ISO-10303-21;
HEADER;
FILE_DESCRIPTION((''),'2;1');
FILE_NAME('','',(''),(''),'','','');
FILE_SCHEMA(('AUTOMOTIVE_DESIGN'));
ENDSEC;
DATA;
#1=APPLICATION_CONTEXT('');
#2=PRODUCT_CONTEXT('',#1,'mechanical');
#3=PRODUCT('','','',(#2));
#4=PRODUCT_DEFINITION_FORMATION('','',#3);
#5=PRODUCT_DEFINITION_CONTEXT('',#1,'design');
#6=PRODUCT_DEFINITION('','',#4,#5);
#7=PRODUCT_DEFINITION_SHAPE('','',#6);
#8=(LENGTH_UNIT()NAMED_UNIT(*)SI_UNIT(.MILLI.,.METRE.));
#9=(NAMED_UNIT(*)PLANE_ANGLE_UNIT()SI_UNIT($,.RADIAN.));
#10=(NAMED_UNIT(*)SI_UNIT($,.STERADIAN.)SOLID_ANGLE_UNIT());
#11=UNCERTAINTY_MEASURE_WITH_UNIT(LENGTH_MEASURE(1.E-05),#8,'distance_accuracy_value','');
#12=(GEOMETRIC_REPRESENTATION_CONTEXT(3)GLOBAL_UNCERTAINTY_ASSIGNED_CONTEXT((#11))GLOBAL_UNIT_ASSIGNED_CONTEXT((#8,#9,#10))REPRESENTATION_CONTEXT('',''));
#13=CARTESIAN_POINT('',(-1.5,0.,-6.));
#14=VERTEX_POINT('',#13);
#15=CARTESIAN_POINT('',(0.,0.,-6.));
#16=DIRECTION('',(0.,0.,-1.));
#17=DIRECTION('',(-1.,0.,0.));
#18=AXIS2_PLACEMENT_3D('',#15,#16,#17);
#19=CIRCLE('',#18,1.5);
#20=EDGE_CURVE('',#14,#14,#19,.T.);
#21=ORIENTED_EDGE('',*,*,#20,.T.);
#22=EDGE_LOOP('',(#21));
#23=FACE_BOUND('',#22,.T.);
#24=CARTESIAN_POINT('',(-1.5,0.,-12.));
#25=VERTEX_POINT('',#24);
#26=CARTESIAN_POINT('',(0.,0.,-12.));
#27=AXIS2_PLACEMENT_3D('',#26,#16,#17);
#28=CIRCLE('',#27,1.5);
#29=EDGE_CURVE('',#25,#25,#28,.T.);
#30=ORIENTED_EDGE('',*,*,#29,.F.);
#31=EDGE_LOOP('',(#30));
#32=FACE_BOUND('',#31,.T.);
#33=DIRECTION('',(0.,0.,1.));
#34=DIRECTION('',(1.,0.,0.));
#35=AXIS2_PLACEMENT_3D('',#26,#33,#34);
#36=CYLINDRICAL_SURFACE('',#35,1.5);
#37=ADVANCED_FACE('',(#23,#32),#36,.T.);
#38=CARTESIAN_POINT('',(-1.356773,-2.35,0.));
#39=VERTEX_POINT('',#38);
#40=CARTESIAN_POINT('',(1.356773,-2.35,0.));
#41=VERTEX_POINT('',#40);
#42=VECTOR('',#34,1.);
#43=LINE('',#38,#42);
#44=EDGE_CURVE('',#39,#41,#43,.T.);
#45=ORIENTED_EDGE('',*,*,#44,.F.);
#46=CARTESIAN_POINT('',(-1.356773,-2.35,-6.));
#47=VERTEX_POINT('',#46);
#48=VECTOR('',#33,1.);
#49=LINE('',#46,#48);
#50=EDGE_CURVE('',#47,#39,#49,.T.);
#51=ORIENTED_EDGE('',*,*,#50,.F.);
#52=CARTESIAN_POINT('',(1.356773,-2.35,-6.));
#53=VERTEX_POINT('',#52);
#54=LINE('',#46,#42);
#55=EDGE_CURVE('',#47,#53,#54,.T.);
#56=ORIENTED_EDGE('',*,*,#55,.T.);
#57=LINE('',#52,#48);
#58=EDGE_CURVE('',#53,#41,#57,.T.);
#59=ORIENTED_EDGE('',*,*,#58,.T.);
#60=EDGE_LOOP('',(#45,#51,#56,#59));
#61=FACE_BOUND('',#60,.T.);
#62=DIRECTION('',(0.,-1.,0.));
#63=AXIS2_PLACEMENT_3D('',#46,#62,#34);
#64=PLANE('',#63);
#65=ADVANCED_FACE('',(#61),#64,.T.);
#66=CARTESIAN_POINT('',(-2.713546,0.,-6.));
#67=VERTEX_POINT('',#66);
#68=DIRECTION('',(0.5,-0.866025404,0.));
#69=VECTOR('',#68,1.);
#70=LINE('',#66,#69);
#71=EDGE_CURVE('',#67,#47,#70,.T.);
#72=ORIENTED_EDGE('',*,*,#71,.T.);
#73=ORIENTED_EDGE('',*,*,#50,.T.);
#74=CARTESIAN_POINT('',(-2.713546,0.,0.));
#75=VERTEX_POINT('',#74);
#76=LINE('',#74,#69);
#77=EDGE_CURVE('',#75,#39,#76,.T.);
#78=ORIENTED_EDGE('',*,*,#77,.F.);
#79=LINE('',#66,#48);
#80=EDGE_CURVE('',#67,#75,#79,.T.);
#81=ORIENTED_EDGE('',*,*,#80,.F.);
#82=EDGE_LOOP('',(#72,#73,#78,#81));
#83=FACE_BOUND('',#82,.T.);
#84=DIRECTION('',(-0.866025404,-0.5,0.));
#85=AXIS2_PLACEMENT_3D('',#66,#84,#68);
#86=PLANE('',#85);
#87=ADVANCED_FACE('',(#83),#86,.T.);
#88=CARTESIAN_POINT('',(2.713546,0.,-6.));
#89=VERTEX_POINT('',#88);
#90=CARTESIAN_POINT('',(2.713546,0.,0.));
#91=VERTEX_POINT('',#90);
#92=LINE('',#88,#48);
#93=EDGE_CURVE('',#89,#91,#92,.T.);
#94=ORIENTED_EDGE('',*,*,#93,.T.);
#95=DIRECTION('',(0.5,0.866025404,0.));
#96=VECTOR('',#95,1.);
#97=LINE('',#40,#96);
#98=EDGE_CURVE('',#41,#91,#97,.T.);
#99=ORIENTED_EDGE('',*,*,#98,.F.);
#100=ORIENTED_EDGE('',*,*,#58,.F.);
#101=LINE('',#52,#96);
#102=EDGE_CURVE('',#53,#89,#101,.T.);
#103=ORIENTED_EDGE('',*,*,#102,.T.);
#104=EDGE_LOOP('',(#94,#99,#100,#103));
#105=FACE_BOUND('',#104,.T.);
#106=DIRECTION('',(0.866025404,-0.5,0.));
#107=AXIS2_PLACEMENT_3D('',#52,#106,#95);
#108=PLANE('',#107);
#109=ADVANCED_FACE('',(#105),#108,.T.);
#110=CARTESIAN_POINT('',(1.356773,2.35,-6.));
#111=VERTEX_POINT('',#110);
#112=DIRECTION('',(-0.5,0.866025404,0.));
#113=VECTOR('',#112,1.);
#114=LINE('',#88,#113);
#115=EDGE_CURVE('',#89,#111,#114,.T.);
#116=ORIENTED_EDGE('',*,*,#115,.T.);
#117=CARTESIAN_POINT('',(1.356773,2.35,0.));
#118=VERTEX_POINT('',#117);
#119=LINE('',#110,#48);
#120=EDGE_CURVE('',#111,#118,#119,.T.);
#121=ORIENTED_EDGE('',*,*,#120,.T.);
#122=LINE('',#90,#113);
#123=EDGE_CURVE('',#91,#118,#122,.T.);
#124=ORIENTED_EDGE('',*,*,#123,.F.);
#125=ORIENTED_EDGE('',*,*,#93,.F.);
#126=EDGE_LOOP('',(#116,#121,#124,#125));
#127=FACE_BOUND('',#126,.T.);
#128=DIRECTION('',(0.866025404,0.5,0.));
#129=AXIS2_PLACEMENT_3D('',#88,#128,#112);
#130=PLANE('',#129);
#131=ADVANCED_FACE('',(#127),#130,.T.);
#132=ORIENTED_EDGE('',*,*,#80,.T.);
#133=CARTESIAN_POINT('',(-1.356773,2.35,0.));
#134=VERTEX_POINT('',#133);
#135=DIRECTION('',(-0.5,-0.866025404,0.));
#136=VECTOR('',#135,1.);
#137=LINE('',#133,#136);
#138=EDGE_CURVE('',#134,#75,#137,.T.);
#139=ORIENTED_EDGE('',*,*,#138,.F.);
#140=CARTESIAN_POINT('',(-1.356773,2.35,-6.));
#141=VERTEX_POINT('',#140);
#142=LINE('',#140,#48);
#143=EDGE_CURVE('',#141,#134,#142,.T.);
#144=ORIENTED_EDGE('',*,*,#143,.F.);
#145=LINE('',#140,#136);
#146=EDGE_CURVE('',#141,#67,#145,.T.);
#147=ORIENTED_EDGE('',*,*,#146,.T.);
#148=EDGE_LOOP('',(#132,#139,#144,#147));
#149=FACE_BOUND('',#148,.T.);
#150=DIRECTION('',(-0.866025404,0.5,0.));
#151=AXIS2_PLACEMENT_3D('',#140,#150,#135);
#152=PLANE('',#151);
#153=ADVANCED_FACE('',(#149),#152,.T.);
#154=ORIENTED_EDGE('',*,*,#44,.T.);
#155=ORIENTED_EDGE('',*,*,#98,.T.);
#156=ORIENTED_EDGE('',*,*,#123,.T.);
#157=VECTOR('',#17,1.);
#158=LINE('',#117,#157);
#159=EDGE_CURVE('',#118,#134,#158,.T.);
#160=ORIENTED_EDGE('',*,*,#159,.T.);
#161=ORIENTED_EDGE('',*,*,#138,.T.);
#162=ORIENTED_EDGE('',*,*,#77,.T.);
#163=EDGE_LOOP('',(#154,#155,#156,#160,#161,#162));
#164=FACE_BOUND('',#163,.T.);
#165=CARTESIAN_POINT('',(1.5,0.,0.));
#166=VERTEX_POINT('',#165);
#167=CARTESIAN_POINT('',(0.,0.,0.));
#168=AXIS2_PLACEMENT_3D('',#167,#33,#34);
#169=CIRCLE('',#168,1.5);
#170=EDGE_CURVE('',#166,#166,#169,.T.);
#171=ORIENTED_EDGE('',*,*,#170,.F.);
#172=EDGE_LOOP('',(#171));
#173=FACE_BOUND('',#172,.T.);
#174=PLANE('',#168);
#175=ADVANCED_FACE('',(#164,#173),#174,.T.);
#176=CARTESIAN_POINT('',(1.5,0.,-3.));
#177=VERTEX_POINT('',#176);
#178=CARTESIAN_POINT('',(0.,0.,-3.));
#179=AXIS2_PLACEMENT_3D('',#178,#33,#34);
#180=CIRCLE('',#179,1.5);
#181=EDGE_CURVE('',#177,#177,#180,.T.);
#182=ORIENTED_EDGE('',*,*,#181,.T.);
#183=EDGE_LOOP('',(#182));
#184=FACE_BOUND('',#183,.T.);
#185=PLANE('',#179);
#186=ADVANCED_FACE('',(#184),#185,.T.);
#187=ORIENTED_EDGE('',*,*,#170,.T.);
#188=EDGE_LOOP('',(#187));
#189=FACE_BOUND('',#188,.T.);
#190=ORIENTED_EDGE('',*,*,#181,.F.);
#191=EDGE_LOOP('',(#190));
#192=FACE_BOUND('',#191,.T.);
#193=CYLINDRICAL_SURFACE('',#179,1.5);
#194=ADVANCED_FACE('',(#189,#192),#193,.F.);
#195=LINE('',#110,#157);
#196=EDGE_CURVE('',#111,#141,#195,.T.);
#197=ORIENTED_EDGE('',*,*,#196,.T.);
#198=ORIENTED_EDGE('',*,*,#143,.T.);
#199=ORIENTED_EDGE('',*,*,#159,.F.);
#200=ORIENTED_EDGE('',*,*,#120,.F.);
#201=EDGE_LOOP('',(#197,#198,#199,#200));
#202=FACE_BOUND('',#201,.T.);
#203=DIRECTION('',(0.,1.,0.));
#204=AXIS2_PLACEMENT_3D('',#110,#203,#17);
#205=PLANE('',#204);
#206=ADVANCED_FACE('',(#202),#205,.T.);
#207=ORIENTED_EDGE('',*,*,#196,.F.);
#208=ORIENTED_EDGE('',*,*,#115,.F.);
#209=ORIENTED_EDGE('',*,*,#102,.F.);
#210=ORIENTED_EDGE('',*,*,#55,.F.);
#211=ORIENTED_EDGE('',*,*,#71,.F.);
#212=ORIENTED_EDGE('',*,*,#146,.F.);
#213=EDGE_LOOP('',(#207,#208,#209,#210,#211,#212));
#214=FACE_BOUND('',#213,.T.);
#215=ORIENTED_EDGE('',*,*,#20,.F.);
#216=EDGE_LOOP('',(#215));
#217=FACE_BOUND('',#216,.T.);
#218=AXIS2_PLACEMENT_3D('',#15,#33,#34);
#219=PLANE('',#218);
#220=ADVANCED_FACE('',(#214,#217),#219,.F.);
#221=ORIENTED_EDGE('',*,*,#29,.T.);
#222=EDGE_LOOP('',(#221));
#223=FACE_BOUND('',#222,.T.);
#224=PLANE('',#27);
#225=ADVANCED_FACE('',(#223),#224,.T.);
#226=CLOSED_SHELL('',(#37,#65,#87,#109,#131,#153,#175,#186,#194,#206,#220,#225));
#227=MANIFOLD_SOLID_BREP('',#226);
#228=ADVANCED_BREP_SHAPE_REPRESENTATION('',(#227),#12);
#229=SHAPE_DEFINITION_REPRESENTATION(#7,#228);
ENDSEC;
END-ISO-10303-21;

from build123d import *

# Parameters (mm, degrees)
EXTRUDE_1_DEPTH     = 6
SKETCH_2_R          = 1.5
CUT_EXTRUDE_1_DEPTH = 3
SKETCH_3_R          = 1.5
EXTRUDE_2_DEPTH     = 6


with BuildPart() as part:
    # 草图1 → 凸台-拉伸1 (new body)
    with BuildSketch(Plane.XY):
        Polygon((2.713546265, 0), (1.356773133, 2.35), (-1.356773133, 2.35), (-2.713546265, 0), (-1.356773133, -2.35), (1.356773133, -2.35), align=None)
    extrude(amount=-EXTRUDE_1_DEPTH)

    # 草图2 → 切除-拉伸1 (cut)
    with BuildSketch(Plane.XY):
        Circle(SKETCH_2_R)
    extrude(amount=-CUT_EXTRUDE_1_DEPTH, mode=Mode.SUBTRACT)

    # 草图3 → 凸台-拉伸2 (add)
    with BuildSketch(Plane(origin=(0, 0, -6), x_dir=(-1, 0, 0), z_dir=(0, 0, -1))):
        with Locations(Location((0, 0, 0), (0, 0, 180))):
            Circle(SKETCH_3_R)
    extrude(amount=EXTRUDE_2_DEPTH)


solid = part.part
